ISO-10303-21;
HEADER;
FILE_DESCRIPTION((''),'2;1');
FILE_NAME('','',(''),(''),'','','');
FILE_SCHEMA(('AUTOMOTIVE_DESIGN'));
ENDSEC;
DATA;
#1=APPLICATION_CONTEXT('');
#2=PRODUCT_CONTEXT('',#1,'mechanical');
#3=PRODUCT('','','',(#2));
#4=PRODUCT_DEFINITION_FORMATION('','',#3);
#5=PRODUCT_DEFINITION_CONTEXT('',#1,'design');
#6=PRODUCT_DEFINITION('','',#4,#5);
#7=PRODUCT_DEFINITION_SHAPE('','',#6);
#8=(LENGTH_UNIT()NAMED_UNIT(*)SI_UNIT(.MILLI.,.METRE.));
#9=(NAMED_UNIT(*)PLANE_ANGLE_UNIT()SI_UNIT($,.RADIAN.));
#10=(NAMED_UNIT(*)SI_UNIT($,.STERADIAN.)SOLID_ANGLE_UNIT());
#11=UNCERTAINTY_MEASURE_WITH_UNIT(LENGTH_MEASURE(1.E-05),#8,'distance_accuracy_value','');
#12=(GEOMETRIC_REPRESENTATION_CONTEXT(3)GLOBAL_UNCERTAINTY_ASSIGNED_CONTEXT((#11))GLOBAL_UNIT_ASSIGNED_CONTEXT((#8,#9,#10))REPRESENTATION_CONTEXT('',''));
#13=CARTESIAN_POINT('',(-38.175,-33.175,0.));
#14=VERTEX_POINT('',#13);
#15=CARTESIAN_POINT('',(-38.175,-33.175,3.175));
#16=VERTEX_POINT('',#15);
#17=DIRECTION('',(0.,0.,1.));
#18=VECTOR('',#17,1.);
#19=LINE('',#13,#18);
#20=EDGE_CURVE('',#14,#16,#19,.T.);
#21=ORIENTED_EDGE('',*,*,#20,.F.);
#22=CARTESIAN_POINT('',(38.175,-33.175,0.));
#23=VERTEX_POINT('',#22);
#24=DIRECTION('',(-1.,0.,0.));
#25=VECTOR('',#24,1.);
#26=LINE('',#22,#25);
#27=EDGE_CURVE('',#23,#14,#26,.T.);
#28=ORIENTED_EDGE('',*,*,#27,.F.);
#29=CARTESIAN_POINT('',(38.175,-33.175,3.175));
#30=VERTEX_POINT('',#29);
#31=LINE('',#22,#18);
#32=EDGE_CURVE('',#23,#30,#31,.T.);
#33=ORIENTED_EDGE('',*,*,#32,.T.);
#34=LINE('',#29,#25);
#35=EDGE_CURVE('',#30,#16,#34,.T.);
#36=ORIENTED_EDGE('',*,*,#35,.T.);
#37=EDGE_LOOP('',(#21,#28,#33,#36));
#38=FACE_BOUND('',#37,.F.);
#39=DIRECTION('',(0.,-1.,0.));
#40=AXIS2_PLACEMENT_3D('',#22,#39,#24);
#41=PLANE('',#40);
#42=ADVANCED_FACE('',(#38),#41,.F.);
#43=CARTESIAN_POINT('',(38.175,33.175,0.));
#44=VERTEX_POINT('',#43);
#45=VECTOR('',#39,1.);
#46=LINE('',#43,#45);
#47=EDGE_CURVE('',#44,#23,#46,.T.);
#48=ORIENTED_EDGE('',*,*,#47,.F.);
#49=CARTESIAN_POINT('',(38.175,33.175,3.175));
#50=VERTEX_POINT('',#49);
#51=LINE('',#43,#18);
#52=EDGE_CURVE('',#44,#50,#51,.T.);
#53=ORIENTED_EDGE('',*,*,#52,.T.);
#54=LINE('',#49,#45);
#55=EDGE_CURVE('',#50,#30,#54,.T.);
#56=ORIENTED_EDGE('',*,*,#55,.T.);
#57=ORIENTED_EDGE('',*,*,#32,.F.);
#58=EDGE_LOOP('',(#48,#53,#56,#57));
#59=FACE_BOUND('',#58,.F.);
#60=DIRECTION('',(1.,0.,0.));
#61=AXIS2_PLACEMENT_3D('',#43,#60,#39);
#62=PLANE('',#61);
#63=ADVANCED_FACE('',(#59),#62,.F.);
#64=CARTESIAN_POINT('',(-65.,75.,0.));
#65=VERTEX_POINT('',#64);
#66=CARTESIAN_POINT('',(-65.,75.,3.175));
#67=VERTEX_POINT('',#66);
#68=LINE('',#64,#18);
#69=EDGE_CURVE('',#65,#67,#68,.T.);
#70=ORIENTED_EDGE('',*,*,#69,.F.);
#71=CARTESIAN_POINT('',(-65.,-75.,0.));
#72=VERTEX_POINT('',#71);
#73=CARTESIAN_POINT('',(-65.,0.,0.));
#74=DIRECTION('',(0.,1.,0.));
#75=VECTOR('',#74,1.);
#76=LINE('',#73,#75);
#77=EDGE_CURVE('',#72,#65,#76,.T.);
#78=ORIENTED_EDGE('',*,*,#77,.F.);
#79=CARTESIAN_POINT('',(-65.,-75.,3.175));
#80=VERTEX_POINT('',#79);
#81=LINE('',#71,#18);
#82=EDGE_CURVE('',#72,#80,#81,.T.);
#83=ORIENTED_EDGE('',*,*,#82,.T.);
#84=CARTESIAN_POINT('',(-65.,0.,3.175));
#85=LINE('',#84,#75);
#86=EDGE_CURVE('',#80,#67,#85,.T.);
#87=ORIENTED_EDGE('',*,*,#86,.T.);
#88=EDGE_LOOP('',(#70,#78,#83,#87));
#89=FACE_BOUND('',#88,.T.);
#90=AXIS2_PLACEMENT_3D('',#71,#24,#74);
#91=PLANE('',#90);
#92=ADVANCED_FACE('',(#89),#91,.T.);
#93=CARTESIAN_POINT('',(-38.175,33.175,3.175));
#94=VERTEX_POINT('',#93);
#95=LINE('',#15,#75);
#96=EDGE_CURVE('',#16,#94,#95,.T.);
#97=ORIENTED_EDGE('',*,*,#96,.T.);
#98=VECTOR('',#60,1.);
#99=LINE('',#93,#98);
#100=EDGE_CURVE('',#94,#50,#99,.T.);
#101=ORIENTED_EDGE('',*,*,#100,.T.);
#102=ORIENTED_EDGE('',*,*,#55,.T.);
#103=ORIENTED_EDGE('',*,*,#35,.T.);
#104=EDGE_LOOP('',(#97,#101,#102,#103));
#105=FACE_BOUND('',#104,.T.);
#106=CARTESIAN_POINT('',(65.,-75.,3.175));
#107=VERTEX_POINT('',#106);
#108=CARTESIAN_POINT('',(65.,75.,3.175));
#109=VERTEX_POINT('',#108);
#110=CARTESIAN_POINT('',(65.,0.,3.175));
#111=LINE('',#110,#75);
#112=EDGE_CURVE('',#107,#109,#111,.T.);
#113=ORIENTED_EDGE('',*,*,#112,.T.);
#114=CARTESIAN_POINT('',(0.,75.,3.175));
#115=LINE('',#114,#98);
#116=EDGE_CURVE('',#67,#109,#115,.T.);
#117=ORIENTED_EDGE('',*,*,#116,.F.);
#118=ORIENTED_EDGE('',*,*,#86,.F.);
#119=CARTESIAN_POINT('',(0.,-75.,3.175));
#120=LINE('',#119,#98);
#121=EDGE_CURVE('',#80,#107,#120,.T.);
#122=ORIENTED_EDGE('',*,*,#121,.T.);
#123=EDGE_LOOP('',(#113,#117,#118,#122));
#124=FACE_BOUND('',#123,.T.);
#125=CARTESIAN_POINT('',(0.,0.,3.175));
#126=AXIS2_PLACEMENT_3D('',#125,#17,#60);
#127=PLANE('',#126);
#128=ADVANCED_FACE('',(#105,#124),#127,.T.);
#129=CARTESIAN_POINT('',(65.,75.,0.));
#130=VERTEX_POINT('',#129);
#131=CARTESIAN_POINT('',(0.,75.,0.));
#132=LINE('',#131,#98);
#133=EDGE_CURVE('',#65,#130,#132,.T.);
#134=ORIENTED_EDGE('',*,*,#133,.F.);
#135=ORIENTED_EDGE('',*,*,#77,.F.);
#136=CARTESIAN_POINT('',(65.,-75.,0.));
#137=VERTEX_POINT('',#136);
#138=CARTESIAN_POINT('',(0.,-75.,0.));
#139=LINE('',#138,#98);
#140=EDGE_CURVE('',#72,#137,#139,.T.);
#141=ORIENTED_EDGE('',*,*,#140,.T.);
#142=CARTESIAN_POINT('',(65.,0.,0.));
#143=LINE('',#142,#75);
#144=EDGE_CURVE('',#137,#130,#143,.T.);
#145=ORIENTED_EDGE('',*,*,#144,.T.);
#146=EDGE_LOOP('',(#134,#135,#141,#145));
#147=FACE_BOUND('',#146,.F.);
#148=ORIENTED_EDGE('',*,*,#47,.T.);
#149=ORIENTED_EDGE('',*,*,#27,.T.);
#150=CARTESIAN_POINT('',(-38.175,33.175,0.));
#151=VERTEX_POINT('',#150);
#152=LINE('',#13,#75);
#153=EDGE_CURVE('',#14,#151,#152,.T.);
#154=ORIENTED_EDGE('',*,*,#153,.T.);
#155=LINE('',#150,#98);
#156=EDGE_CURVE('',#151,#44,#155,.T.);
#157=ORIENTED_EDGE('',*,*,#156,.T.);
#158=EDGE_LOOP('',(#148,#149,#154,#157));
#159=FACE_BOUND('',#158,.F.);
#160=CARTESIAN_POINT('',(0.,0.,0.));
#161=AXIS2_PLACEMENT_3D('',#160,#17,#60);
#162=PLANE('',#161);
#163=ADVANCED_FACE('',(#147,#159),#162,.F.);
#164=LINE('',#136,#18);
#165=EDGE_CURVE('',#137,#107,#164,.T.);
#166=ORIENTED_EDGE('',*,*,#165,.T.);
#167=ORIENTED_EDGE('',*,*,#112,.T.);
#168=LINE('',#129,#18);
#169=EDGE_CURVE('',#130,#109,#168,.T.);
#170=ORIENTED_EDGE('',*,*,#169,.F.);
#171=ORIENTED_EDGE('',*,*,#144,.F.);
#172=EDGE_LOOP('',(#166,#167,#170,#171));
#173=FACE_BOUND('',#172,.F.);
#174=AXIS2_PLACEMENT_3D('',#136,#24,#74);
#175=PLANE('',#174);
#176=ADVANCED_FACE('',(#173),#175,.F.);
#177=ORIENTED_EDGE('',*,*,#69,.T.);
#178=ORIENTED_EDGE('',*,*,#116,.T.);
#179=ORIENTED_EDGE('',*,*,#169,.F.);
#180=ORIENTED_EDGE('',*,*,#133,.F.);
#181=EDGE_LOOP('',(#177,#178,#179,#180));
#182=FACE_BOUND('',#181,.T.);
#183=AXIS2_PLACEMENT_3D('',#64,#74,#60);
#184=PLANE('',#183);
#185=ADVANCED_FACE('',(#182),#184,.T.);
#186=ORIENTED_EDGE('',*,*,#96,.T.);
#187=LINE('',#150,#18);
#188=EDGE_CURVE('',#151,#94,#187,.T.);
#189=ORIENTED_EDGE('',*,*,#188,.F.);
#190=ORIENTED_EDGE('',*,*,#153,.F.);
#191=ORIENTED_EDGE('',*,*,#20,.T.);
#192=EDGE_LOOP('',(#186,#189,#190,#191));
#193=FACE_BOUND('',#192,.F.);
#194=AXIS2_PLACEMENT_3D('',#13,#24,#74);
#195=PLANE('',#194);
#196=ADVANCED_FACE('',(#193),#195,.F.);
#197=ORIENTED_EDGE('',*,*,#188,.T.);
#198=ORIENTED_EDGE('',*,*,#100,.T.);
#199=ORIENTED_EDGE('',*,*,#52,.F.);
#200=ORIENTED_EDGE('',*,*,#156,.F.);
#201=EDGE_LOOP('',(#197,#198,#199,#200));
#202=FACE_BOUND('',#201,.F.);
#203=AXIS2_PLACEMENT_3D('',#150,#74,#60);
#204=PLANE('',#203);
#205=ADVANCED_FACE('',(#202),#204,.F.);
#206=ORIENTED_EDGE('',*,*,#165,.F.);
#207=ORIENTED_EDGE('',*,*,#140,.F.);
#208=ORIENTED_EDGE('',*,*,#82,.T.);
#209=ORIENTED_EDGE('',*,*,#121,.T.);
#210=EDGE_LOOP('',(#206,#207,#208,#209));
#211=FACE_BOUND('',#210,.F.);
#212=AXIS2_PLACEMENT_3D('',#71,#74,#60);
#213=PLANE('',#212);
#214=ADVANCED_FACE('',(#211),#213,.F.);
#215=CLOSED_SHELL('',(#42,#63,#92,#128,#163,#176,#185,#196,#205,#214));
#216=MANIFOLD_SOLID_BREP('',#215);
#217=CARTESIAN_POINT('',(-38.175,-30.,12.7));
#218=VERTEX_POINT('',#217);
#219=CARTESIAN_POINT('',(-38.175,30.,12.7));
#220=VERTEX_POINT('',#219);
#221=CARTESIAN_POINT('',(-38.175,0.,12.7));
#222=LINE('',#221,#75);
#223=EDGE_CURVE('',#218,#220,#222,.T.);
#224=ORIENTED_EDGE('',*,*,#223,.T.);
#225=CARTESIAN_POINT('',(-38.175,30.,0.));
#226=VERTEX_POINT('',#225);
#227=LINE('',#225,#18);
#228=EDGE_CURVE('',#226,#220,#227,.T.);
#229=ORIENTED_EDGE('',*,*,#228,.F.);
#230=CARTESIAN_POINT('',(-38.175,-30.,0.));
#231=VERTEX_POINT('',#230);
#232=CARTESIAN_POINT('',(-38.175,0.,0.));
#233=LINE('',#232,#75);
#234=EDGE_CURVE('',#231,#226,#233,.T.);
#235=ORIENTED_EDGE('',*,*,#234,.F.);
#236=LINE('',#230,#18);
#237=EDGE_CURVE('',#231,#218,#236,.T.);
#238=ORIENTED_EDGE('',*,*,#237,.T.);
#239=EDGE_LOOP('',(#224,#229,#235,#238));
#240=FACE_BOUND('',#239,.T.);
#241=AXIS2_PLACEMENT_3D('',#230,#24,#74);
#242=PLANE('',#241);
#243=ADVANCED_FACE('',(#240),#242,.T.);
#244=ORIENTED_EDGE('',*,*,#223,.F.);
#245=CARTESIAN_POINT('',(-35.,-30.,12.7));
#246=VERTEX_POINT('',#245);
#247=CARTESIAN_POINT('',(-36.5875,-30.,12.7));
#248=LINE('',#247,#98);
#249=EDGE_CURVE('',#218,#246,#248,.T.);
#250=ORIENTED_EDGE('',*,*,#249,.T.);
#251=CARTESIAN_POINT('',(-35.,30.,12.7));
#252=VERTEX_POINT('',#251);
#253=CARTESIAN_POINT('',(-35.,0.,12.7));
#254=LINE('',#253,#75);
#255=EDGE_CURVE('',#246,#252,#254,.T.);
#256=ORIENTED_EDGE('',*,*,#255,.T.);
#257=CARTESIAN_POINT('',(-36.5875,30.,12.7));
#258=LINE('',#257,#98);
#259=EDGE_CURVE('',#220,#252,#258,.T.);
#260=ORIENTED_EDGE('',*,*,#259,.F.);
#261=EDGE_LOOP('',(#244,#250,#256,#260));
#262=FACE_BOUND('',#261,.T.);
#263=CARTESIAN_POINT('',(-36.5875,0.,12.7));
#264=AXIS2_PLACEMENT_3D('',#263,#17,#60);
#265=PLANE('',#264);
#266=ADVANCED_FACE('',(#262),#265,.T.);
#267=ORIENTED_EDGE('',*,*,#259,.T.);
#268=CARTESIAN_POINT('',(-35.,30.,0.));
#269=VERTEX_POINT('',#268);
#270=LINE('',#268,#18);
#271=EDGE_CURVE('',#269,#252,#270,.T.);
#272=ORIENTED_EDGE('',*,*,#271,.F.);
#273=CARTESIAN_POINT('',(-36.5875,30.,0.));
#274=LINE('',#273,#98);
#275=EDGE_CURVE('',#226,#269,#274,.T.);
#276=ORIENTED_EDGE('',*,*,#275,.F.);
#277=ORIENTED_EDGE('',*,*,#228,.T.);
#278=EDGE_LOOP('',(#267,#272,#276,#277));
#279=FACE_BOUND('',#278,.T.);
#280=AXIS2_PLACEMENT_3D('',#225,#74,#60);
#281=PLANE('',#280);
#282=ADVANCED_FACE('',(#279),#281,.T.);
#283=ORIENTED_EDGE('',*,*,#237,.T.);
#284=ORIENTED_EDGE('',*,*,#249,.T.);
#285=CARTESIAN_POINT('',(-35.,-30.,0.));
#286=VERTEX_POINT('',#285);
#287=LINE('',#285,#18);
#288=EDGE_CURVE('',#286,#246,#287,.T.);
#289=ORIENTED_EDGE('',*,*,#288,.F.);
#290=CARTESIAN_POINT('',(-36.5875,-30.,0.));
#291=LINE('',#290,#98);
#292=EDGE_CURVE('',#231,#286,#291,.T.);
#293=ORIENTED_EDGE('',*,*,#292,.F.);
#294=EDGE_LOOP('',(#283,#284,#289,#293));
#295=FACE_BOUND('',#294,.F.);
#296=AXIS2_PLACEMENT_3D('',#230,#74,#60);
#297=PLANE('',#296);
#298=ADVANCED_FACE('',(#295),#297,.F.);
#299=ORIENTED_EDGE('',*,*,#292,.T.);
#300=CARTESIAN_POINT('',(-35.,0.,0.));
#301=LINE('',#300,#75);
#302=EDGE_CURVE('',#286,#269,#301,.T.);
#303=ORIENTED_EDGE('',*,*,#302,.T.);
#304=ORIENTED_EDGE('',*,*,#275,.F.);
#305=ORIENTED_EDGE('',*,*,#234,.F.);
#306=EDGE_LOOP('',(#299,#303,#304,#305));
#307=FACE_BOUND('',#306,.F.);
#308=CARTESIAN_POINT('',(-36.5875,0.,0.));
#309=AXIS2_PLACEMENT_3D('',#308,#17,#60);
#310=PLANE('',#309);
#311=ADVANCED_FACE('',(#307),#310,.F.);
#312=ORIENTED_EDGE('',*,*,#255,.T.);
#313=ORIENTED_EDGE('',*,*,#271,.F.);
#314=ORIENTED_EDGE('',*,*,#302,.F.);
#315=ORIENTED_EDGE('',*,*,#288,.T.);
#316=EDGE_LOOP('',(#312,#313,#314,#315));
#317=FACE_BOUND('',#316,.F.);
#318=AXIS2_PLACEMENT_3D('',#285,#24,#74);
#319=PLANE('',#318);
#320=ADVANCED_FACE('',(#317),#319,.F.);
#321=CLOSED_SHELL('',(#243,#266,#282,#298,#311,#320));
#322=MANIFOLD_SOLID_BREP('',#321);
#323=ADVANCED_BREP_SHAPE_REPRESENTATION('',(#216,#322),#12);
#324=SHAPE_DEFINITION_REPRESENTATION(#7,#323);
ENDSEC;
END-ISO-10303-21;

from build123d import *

# Parameters (mm, degrees)
F0_W     = 130
F0_H     = 150
F1_DEPTH = 3.175
F0_W_2   = 3.175
F0_H_2   = 60
F2_DEPTH = 12.7


with BuildPart() as f1:
    # F0 (on Top) → F1 (new body)
    with BuildSketch(Plane.XY):
        Rectangle(F0_W, F0_H)
        Polygon((38.175, 33.175), (38.175, 30), (38.175, -30), (38.175, -33.175), (-38.175, -33.175), (-38.175, -30), (-38.175, 30), (-38.175, 33.175), align=None, mode=Mode.SUBTRACT)
    extrude(amount=F1_DEPTH)


with BuildPart() as f2:
    # F0 (on Top) → F2 (new body)
    with BuildSketch(Plane.XY):
        with Locations((-36.5875, 0)):
            Rectangle(F0_W_2, F0_H_2)
    extrude(amount=F2_DEPTH)


solid = Compound([f1.part, f2.part])
